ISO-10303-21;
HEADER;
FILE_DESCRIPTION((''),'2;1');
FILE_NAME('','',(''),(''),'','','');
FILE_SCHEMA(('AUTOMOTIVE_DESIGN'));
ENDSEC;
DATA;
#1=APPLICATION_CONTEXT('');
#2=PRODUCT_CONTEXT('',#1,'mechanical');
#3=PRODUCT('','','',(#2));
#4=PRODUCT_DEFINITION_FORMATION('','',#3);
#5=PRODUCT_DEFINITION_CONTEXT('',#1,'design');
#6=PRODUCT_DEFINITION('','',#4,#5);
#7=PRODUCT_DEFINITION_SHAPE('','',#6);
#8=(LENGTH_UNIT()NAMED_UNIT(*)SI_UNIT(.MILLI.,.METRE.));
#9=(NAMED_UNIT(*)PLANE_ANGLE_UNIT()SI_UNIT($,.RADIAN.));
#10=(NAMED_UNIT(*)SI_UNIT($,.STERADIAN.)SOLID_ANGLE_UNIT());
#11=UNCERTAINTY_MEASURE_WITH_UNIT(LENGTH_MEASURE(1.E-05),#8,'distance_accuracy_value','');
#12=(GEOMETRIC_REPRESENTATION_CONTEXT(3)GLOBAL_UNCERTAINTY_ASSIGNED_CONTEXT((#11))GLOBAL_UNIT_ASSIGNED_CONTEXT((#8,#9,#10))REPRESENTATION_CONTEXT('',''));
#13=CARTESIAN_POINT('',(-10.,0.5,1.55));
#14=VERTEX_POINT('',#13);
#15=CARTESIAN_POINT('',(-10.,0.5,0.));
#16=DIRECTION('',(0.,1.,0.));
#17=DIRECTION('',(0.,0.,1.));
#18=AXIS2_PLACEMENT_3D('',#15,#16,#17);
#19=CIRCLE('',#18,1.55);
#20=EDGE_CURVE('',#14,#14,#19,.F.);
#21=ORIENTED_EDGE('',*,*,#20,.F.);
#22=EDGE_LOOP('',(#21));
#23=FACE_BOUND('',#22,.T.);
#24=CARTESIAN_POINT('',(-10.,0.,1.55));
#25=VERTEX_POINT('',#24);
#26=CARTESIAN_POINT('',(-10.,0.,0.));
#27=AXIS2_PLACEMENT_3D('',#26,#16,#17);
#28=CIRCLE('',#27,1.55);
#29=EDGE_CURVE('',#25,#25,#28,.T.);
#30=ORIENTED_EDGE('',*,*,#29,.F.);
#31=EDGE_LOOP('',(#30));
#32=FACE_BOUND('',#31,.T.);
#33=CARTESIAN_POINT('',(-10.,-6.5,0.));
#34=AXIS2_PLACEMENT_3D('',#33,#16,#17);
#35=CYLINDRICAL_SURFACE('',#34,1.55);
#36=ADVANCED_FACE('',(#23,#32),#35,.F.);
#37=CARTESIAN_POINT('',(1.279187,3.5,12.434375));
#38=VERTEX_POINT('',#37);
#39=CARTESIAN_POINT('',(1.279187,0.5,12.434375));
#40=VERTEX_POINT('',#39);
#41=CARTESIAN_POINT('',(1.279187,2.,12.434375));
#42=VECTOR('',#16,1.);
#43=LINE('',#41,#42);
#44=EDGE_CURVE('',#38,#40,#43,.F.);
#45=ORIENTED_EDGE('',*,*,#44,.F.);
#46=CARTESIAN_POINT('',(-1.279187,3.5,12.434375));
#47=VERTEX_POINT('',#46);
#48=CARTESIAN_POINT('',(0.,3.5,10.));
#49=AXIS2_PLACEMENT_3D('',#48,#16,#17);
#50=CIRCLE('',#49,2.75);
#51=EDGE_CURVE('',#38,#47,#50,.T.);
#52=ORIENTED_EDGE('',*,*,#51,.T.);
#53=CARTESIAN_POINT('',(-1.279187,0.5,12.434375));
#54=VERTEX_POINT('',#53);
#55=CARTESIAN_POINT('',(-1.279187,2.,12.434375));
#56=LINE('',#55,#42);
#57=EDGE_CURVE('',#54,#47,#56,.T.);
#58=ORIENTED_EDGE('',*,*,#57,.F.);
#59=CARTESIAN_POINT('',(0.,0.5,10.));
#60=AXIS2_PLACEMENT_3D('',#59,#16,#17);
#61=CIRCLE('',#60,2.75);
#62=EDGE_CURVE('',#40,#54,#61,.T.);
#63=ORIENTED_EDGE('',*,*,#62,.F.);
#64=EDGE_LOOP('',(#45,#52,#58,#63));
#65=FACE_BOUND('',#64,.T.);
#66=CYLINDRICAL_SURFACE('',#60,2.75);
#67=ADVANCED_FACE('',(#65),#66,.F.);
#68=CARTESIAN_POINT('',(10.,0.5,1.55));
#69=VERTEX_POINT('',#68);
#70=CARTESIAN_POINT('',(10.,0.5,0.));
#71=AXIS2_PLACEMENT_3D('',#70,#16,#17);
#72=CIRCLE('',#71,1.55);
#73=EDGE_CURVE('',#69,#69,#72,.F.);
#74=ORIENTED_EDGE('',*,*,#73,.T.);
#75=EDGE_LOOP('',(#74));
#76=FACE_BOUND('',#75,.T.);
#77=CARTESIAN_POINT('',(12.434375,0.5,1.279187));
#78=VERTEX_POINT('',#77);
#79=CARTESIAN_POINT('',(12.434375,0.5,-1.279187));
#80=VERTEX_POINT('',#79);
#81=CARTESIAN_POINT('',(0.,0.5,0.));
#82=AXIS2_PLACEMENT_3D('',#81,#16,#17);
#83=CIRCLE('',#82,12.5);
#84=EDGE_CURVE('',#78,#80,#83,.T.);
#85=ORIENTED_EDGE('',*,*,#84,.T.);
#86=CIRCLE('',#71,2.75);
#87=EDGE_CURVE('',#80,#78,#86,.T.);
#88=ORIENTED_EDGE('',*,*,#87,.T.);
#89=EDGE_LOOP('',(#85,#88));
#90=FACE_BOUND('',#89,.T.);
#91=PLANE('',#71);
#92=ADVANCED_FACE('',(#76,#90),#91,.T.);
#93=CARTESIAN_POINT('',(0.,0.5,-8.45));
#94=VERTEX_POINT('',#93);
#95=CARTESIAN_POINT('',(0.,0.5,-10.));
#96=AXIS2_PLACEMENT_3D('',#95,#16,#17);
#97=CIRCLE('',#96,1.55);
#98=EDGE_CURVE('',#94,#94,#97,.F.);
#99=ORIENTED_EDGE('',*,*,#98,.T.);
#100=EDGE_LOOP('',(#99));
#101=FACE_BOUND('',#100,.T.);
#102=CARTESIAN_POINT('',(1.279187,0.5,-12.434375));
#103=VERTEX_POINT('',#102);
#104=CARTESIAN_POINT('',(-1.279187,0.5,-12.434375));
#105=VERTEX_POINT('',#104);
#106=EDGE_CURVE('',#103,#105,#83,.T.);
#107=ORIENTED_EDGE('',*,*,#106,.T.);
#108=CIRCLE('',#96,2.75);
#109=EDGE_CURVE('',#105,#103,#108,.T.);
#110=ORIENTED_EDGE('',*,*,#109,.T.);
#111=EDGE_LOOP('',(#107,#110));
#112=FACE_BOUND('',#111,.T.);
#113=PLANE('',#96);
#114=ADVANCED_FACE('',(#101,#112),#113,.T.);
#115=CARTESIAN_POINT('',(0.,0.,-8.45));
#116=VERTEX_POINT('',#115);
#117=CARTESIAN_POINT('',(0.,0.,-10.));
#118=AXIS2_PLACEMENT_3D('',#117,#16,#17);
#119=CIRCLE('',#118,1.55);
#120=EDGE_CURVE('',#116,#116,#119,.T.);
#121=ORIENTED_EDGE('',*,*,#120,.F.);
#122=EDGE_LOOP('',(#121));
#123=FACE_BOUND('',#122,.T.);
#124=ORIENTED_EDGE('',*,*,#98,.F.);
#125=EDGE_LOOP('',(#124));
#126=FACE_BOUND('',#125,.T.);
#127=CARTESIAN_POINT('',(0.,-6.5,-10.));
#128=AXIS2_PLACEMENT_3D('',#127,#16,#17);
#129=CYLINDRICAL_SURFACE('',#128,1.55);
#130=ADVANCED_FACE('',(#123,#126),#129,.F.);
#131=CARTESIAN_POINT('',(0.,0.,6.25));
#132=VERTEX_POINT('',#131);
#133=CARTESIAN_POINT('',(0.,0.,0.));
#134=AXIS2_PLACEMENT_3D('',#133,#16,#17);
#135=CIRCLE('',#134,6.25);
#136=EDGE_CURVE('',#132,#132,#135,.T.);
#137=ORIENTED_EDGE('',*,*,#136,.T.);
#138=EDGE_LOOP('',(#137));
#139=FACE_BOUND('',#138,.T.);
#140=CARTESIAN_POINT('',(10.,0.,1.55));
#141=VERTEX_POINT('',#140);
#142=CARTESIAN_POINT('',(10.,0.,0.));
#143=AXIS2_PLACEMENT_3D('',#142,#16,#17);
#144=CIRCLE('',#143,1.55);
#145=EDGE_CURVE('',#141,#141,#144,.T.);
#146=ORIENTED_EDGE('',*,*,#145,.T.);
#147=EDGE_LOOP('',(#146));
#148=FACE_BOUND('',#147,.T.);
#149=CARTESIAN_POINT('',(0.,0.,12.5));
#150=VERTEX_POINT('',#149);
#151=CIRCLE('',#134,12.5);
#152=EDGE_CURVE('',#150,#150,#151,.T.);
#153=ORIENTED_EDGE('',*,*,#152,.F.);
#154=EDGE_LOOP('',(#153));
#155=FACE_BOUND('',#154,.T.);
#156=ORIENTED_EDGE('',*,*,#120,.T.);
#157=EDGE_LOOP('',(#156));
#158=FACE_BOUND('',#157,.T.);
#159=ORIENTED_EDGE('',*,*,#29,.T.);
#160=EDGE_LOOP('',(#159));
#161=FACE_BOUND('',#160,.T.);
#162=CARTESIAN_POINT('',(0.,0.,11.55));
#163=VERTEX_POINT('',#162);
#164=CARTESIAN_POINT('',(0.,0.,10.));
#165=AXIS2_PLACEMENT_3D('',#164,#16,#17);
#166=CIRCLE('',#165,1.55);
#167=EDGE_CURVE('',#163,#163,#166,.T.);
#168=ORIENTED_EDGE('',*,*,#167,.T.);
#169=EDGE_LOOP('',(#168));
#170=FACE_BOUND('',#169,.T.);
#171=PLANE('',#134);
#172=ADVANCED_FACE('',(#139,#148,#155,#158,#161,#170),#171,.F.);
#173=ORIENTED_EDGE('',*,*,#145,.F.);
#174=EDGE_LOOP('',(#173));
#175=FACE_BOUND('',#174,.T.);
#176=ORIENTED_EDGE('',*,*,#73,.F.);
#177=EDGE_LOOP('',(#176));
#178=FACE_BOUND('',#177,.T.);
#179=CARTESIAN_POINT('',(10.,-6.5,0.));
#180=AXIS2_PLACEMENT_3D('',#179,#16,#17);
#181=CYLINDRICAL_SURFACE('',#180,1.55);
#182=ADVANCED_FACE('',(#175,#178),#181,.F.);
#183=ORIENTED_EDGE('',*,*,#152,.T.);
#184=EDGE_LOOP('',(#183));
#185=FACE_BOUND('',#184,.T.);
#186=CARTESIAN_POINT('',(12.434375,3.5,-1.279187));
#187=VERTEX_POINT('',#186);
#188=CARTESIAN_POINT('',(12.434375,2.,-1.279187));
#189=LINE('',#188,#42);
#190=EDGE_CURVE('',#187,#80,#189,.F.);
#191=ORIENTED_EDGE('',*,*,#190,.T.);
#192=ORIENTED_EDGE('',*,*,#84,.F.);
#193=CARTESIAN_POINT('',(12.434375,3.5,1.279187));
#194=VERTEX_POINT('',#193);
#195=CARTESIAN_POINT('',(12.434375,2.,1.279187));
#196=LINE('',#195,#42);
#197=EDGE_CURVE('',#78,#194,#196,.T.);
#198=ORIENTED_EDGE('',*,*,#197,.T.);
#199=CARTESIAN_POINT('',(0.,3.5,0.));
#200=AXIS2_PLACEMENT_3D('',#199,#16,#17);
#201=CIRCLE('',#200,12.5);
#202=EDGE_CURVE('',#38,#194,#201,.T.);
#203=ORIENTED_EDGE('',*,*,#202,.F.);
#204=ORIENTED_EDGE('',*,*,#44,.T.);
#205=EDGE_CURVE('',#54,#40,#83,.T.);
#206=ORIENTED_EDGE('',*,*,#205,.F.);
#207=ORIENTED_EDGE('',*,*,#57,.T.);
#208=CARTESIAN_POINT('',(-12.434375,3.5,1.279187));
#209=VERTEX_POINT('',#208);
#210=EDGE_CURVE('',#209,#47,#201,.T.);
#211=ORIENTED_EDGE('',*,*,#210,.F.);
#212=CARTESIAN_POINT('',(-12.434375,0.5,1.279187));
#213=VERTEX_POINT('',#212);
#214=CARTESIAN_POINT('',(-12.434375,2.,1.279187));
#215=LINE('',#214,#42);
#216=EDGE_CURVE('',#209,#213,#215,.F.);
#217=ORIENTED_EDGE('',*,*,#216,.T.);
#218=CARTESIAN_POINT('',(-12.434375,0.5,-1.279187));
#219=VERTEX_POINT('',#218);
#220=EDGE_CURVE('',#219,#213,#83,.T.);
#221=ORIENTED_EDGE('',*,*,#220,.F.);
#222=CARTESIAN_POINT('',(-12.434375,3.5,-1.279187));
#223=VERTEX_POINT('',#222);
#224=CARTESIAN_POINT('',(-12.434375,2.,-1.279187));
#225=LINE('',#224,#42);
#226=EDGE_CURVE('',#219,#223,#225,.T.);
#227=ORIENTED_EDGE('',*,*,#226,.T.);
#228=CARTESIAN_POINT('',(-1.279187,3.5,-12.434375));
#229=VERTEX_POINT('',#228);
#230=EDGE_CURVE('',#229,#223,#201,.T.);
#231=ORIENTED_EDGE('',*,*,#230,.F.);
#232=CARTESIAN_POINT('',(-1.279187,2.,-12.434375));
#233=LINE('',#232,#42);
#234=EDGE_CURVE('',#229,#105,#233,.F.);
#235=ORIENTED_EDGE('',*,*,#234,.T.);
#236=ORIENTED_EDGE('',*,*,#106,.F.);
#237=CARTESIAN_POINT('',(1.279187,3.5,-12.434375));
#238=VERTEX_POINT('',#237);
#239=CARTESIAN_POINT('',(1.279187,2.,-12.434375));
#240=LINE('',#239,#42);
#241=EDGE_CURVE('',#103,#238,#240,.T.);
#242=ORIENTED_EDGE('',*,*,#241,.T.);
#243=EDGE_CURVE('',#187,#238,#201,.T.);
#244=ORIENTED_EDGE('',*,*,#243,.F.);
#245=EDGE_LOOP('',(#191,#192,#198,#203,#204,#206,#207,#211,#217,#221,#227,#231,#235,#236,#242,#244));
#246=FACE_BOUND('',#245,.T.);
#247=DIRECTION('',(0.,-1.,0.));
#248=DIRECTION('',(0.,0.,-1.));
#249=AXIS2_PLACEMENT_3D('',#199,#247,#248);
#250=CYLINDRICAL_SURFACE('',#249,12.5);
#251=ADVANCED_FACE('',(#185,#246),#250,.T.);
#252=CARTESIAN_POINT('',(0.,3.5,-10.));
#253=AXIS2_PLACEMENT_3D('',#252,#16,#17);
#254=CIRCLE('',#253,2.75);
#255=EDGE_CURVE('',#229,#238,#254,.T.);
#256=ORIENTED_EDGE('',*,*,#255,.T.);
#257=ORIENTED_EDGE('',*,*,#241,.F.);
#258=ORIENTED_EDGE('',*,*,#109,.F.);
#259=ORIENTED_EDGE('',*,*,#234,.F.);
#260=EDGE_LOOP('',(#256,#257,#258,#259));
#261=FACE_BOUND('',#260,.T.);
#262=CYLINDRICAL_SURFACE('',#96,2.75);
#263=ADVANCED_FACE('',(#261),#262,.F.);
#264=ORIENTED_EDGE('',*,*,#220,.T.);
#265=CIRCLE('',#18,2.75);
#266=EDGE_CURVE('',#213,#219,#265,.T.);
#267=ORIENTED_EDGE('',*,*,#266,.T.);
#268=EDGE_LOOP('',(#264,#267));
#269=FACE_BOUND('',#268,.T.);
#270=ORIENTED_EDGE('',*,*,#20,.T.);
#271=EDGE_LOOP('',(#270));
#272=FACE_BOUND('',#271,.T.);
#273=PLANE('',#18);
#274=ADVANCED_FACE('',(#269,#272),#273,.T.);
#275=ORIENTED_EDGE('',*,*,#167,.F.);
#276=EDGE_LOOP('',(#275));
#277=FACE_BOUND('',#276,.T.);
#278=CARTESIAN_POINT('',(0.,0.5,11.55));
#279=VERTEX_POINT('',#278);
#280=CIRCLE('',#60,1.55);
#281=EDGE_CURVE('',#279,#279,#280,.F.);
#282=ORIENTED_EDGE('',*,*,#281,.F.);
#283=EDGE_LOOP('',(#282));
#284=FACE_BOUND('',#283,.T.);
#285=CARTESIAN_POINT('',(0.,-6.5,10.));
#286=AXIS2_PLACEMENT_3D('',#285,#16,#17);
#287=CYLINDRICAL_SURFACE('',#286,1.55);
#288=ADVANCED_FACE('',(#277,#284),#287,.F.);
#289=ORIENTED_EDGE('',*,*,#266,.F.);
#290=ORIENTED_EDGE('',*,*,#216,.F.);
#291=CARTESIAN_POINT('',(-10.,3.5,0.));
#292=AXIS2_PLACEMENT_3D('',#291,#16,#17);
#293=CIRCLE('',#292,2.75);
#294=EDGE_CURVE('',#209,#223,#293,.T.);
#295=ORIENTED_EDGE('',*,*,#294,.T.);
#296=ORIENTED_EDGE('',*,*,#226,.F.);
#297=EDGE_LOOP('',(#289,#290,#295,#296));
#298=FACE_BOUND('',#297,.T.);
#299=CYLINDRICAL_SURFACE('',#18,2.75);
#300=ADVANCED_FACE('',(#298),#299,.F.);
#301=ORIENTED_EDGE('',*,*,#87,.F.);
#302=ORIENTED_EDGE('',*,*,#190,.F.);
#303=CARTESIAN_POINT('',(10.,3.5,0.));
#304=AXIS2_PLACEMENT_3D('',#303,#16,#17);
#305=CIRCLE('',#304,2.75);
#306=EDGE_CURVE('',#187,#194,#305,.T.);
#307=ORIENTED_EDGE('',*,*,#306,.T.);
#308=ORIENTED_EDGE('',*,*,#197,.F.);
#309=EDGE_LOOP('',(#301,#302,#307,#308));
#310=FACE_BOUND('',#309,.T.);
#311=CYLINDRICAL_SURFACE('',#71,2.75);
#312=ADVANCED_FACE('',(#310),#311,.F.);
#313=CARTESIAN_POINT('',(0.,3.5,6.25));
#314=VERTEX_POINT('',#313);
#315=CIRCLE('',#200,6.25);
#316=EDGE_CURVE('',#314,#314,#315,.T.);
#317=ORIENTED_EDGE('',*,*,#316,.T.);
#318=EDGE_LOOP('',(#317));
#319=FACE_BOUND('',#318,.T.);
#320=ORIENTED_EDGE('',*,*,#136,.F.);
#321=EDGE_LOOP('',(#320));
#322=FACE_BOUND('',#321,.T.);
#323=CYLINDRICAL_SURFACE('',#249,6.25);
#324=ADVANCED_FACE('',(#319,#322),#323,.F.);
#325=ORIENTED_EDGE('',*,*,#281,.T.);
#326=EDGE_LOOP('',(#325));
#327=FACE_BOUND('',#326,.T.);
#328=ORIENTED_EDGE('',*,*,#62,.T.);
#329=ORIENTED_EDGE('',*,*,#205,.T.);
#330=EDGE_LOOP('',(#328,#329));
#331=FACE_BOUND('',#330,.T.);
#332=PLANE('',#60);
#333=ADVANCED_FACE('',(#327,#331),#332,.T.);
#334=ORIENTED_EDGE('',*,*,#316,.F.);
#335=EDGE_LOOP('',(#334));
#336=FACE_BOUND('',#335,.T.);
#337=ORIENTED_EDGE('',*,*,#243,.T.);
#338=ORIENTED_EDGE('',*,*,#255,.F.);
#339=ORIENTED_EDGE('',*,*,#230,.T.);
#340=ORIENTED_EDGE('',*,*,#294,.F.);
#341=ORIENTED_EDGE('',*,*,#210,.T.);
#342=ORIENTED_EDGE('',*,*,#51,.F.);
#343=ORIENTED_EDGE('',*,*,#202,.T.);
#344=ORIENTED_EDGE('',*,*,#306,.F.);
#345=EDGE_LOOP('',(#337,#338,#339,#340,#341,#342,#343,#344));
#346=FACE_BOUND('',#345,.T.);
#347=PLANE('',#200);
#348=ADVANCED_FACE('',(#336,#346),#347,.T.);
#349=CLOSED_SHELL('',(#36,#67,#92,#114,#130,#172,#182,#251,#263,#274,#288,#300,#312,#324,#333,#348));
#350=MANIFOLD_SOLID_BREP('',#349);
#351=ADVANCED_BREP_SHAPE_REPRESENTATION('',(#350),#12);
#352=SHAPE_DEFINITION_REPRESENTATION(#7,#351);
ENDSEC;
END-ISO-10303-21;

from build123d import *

# Parameters (mm, degrees)
SKETCH_1_R          = 12.5
SKETCH_1_R_2        = 6.25
EXTRUDE_1_DEPTH     = 3.5
SKETCH_2_R          = 1.55
CUT_EXTRUDE_1_DEPTH = 10
SKETCH_3_R          = 2.75
CUT_EXTRUDE_2_DEPTH = 3


with BuildPart() as part:
    # 草图1 → 凸台-拉伸1 (new body)
    with BuildSketch(Plane(origin=(0, 0, 0), x_dir=(1, 0, 0), z_dir=(0, 1, 0))):
        with Locations(Location((0, 0, 0), (0, 0, 270))):
            Circle(SKETCH_1_R)
        with Locations(Location((0, 0, 0), (0, 0, 270))):
            Circle(SKETCH_1_R_2, mode=Mode.SUBTRACT)
    extrude(amount=EXTRUDE_1_DEPTH)

    # 草图2 → 切除-拉伸1 (cut)
    with BuildSketch(Plane(origin=(0, 3.5, 0), x_dir=(1, 0, 0), z_dir=(0, 1, 0))):
        with Locations(Location((-10, 0, 0), (0, 0, 270))):
            Circle(SKETCH_2_R)
        with Locations(Location((0, 10, 0), (0, 0, 270))):
            Circle(SKETCH_2_R)
        with Locations(Location((10, 0, 0), (0, 0, 270))):
            Circle(SKETCH_2_R)
        with Locations(Location((0, -10, 0), (0, 0, 270))):
            Circle(SKETCH_2_R)
    extrude(amount=-CUT_EXTRUDE_1_DEPTH, mode=Mode.SUBTRACT)

    # 草图3 → 切除-拉伸2 (cut)
    with BuildSketch(Plane(origin=(0, 3.5, 0), x_dir=(1, 0, 0), z_dir=(0, 1, 0))):
        with Locations((-10, 0)):
            Circle(SKETCH_3_R)
        with Locations((0, 10)):
            Circle(SKETCH_3_R)
        with Locations((10, 0)):
            Circle(SKETCH_3_R)
        with Locations((0, -10)):
            Circle(SKETCH_3_R)
    extrude(amount=-CUT_EXTRUDE_2_DEPTH, mode=Mode.SUBTRACT)


solid = part.part
